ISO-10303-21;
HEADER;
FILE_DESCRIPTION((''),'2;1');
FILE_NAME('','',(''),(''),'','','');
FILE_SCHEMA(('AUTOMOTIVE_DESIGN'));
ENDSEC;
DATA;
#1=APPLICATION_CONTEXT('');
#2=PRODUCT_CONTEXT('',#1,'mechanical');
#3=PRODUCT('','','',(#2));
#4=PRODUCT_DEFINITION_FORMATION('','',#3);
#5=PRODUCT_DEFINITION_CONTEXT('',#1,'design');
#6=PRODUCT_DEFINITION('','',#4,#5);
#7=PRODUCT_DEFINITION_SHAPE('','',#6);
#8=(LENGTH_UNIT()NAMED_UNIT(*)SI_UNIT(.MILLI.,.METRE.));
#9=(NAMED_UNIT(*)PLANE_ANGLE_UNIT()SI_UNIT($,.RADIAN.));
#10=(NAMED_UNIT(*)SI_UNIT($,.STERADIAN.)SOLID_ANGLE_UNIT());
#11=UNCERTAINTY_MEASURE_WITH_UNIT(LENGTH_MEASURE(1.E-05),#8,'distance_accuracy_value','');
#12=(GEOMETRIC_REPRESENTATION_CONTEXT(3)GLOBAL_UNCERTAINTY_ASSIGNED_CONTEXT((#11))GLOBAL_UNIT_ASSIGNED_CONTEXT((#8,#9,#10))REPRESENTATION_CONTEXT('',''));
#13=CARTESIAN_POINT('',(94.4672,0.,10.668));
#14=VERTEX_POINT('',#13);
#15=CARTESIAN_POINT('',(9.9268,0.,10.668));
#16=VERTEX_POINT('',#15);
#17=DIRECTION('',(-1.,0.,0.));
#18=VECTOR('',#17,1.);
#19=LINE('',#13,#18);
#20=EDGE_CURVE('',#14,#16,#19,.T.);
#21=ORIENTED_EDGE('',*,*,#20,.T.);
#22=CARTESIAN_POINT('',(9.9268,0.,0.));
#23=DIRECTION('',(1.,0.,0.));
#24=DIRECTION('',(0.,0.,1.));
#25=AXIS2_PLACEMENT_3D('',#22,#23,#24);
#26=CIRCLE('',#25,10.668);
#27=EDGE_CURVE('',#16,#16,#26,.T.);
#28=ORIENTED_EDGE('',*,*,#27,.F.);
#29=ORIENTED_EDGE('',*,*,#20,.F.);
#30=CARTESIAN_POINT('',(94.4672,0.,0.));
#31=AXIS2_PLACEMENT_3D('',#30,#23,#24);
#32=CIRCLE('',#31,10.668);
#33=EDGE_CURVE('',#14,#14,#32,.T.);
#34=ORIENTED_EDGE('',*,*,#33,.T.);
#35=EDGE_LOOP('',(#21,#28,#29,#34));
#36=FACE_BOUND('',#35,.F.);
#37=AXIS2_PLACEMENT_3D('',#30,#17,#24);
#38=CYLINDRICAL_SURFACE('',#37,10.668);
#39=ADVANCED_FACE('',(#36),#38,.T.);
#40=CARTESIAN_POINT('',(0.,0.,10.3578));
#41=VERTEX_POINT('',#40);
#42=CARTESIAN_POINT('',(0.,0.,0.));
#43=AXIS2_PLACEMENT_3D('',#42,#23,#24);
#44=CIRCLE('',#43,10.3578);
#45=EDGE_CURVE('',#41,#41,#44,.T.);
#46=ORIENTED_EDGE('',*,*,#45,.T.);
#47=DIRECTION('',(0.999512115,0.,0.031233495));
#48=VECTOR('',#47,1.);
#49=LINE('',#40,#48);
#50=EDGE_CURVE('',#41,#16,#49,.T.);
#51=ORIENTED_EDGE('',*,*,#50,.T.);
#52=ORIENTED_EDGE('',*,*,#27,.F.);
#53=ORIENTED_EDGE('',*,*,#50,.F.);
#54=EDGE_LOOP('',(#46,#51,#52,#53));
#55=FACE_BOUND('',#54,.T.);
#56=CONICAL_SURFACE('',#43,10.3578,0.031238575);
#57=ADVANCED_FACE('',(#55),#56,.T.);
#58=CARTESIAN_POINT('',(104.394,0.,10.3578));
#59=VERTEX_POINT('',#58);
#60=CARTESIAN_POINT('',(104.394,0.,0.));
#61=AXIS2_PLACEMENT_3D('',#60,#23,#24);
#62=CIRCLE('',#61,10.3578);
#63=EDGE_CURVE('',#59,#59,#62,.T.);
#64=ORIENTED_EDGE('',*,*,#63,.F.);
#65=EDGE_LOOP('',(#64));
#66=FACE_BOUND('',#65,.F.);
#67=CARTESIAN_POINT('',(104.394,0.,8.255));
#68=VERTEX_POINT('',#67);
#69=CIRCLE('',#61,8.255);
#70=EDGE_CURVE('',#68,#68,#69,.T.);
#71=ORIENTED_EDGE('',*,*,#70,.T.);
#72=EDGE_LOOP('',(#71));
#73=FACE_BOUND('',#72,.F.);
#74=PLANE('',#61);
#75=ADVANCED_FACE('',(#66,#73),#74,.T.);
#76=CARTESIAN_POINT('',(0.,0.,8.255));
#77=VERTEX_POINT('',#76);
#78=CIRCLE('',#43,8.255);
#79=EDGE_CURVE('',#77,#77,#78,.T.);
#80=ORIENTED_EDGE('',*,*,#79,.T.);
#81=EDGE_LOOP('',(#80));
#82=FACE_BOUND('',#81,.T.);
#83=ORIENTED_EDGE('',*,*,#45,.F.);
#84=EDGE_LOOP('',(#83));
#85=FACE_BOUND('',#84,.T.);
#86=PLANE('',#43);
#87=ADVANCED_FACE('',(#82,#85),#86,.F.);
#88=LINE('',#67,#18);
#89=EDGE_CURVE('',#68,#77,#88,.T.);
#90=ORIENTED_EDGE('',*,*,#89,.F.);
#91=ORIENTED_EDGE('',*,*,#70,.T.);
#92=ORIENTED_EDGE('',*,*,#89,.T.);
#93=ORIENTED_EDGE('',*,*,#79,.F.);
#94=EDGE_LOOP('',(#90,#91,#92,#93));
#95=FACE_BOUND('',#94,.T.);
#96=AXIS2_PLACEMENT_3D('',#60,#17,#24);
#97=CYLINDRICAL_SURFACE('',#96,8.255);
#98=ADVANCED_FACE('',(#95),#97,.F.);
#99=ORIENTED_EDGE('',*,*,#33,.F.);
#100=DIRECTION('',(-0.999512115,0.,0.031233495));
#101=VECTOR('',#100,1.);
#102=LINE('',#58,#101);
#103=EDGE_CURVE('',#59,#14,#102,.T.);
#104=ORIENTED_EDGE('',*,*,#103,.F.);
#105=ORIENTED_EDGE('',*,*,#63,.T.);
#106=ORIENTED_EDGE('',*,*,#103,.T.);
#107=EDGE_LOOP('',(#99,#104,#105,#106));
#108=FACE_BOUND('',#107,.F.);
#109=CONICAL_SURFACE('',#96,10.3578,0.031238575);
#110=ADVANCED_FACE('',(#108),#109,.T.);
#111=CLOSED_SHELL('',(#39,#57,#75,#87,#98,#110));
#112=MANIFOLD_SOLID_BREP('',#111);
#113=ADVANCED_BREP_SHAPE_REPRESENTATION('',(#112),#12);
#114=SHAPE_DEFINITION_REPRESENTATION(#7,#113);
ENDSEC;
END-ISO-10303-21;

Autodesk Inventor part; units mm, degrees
ref_plane "YZ Plane" through (0, 0, 0) normal (1, 0, 0) x (0, 1, 0)
ref_plane "XZ Plane" through (0, 0, 0) normal (0, 1, 0) x (-1, 0, 0)
ref_plane "XY Plane" through (0, 0, 0) normal (0, 0, 1) x (1, 0, 0)
sketch "Sketch1" plane through (0, 0, 0) normal (0, 1, 0) x (-1, 0, 0)
  line L0 (0, 0) -> (-104.394, 0)
  line L1 (-104.394, 0) -> (-104.394, 8.255) construction
  line L2 (-104.394, 8.255) -> (-104.394, 10.3578)
  line L3 (-104.394, 10.3578) -> (-94.4672, 10.668)
  line L4 (-94.4672, 10.668) -> (-9.9268, 10.668)
  line L5 (-52.197, 0) -> (-52.197, 10.668) construction
  line L6 (-104.394, 8.255) -> (0, 8.255)
  line L7 (0, 0) -> (0, 8.255) construction
  line L8 (0, 8.255) -> (0, 10.3578)
  line L9 (0, 10.3578) -> (-9.9268, 10.668)
  line L10 (-90.838, 10.7814) -> (-90.838, 0) construction
  line L11 (-13.556, 10.7814) -> (-13.556, 0) construction
  line L12 (-94.4672, 10.668) -> (-90.838, 10.7814) construction
  line L13 (-94.4672, 10.668) -> (-94.4672, 0) construction
  line L14 (-9.9268, 10.668) -> (-13.556, 10.7814) construction
  line L15 (-9.9268, 10.668) -> (-9.9268, 0) construction
  dimension "d0" = 21.336
  dimension "d1" = 1.79
  dimension "d2" = 16.51
  dimension "d3" = 104.394
  dimension "d4" = 13.556
  dimension "d5" = 21.5628
revolve "Revolution1" add sketch "Sketch1" angle 360 about axis through (0, 0, 0) along (1, 0, 0)
thread "Thread1" size "1/2" designation "1/2 - 14 NPT" standard "NPT" full length
thread "Thread2" size "1/2" designation "1/2 - 14 NPT" standard "NPT" full length
equation "\"d0\" = OD"
equation "\"d2\" = ID"
equation "\"d3\" = L"
equation "\"d4\" = L2"
equation "\"d5\" = D2"
equation "\"L\" = PL"
equation "\"OD\" = 21.336"
equation "\"t\" = 2.413"
equation "\"L4\" = 19.8501"
equation "\"ID\" = 16.51"
equation "\"PL\" = 104.394"
equation "\"D2\" = 21.56282"
equation "\"L2\" = 13.55598"
equation "\"Size_Designation\" = 1.2345"
equation "\"PLmin\" = 2 * L2"
properties material "Steel, Wrought"
